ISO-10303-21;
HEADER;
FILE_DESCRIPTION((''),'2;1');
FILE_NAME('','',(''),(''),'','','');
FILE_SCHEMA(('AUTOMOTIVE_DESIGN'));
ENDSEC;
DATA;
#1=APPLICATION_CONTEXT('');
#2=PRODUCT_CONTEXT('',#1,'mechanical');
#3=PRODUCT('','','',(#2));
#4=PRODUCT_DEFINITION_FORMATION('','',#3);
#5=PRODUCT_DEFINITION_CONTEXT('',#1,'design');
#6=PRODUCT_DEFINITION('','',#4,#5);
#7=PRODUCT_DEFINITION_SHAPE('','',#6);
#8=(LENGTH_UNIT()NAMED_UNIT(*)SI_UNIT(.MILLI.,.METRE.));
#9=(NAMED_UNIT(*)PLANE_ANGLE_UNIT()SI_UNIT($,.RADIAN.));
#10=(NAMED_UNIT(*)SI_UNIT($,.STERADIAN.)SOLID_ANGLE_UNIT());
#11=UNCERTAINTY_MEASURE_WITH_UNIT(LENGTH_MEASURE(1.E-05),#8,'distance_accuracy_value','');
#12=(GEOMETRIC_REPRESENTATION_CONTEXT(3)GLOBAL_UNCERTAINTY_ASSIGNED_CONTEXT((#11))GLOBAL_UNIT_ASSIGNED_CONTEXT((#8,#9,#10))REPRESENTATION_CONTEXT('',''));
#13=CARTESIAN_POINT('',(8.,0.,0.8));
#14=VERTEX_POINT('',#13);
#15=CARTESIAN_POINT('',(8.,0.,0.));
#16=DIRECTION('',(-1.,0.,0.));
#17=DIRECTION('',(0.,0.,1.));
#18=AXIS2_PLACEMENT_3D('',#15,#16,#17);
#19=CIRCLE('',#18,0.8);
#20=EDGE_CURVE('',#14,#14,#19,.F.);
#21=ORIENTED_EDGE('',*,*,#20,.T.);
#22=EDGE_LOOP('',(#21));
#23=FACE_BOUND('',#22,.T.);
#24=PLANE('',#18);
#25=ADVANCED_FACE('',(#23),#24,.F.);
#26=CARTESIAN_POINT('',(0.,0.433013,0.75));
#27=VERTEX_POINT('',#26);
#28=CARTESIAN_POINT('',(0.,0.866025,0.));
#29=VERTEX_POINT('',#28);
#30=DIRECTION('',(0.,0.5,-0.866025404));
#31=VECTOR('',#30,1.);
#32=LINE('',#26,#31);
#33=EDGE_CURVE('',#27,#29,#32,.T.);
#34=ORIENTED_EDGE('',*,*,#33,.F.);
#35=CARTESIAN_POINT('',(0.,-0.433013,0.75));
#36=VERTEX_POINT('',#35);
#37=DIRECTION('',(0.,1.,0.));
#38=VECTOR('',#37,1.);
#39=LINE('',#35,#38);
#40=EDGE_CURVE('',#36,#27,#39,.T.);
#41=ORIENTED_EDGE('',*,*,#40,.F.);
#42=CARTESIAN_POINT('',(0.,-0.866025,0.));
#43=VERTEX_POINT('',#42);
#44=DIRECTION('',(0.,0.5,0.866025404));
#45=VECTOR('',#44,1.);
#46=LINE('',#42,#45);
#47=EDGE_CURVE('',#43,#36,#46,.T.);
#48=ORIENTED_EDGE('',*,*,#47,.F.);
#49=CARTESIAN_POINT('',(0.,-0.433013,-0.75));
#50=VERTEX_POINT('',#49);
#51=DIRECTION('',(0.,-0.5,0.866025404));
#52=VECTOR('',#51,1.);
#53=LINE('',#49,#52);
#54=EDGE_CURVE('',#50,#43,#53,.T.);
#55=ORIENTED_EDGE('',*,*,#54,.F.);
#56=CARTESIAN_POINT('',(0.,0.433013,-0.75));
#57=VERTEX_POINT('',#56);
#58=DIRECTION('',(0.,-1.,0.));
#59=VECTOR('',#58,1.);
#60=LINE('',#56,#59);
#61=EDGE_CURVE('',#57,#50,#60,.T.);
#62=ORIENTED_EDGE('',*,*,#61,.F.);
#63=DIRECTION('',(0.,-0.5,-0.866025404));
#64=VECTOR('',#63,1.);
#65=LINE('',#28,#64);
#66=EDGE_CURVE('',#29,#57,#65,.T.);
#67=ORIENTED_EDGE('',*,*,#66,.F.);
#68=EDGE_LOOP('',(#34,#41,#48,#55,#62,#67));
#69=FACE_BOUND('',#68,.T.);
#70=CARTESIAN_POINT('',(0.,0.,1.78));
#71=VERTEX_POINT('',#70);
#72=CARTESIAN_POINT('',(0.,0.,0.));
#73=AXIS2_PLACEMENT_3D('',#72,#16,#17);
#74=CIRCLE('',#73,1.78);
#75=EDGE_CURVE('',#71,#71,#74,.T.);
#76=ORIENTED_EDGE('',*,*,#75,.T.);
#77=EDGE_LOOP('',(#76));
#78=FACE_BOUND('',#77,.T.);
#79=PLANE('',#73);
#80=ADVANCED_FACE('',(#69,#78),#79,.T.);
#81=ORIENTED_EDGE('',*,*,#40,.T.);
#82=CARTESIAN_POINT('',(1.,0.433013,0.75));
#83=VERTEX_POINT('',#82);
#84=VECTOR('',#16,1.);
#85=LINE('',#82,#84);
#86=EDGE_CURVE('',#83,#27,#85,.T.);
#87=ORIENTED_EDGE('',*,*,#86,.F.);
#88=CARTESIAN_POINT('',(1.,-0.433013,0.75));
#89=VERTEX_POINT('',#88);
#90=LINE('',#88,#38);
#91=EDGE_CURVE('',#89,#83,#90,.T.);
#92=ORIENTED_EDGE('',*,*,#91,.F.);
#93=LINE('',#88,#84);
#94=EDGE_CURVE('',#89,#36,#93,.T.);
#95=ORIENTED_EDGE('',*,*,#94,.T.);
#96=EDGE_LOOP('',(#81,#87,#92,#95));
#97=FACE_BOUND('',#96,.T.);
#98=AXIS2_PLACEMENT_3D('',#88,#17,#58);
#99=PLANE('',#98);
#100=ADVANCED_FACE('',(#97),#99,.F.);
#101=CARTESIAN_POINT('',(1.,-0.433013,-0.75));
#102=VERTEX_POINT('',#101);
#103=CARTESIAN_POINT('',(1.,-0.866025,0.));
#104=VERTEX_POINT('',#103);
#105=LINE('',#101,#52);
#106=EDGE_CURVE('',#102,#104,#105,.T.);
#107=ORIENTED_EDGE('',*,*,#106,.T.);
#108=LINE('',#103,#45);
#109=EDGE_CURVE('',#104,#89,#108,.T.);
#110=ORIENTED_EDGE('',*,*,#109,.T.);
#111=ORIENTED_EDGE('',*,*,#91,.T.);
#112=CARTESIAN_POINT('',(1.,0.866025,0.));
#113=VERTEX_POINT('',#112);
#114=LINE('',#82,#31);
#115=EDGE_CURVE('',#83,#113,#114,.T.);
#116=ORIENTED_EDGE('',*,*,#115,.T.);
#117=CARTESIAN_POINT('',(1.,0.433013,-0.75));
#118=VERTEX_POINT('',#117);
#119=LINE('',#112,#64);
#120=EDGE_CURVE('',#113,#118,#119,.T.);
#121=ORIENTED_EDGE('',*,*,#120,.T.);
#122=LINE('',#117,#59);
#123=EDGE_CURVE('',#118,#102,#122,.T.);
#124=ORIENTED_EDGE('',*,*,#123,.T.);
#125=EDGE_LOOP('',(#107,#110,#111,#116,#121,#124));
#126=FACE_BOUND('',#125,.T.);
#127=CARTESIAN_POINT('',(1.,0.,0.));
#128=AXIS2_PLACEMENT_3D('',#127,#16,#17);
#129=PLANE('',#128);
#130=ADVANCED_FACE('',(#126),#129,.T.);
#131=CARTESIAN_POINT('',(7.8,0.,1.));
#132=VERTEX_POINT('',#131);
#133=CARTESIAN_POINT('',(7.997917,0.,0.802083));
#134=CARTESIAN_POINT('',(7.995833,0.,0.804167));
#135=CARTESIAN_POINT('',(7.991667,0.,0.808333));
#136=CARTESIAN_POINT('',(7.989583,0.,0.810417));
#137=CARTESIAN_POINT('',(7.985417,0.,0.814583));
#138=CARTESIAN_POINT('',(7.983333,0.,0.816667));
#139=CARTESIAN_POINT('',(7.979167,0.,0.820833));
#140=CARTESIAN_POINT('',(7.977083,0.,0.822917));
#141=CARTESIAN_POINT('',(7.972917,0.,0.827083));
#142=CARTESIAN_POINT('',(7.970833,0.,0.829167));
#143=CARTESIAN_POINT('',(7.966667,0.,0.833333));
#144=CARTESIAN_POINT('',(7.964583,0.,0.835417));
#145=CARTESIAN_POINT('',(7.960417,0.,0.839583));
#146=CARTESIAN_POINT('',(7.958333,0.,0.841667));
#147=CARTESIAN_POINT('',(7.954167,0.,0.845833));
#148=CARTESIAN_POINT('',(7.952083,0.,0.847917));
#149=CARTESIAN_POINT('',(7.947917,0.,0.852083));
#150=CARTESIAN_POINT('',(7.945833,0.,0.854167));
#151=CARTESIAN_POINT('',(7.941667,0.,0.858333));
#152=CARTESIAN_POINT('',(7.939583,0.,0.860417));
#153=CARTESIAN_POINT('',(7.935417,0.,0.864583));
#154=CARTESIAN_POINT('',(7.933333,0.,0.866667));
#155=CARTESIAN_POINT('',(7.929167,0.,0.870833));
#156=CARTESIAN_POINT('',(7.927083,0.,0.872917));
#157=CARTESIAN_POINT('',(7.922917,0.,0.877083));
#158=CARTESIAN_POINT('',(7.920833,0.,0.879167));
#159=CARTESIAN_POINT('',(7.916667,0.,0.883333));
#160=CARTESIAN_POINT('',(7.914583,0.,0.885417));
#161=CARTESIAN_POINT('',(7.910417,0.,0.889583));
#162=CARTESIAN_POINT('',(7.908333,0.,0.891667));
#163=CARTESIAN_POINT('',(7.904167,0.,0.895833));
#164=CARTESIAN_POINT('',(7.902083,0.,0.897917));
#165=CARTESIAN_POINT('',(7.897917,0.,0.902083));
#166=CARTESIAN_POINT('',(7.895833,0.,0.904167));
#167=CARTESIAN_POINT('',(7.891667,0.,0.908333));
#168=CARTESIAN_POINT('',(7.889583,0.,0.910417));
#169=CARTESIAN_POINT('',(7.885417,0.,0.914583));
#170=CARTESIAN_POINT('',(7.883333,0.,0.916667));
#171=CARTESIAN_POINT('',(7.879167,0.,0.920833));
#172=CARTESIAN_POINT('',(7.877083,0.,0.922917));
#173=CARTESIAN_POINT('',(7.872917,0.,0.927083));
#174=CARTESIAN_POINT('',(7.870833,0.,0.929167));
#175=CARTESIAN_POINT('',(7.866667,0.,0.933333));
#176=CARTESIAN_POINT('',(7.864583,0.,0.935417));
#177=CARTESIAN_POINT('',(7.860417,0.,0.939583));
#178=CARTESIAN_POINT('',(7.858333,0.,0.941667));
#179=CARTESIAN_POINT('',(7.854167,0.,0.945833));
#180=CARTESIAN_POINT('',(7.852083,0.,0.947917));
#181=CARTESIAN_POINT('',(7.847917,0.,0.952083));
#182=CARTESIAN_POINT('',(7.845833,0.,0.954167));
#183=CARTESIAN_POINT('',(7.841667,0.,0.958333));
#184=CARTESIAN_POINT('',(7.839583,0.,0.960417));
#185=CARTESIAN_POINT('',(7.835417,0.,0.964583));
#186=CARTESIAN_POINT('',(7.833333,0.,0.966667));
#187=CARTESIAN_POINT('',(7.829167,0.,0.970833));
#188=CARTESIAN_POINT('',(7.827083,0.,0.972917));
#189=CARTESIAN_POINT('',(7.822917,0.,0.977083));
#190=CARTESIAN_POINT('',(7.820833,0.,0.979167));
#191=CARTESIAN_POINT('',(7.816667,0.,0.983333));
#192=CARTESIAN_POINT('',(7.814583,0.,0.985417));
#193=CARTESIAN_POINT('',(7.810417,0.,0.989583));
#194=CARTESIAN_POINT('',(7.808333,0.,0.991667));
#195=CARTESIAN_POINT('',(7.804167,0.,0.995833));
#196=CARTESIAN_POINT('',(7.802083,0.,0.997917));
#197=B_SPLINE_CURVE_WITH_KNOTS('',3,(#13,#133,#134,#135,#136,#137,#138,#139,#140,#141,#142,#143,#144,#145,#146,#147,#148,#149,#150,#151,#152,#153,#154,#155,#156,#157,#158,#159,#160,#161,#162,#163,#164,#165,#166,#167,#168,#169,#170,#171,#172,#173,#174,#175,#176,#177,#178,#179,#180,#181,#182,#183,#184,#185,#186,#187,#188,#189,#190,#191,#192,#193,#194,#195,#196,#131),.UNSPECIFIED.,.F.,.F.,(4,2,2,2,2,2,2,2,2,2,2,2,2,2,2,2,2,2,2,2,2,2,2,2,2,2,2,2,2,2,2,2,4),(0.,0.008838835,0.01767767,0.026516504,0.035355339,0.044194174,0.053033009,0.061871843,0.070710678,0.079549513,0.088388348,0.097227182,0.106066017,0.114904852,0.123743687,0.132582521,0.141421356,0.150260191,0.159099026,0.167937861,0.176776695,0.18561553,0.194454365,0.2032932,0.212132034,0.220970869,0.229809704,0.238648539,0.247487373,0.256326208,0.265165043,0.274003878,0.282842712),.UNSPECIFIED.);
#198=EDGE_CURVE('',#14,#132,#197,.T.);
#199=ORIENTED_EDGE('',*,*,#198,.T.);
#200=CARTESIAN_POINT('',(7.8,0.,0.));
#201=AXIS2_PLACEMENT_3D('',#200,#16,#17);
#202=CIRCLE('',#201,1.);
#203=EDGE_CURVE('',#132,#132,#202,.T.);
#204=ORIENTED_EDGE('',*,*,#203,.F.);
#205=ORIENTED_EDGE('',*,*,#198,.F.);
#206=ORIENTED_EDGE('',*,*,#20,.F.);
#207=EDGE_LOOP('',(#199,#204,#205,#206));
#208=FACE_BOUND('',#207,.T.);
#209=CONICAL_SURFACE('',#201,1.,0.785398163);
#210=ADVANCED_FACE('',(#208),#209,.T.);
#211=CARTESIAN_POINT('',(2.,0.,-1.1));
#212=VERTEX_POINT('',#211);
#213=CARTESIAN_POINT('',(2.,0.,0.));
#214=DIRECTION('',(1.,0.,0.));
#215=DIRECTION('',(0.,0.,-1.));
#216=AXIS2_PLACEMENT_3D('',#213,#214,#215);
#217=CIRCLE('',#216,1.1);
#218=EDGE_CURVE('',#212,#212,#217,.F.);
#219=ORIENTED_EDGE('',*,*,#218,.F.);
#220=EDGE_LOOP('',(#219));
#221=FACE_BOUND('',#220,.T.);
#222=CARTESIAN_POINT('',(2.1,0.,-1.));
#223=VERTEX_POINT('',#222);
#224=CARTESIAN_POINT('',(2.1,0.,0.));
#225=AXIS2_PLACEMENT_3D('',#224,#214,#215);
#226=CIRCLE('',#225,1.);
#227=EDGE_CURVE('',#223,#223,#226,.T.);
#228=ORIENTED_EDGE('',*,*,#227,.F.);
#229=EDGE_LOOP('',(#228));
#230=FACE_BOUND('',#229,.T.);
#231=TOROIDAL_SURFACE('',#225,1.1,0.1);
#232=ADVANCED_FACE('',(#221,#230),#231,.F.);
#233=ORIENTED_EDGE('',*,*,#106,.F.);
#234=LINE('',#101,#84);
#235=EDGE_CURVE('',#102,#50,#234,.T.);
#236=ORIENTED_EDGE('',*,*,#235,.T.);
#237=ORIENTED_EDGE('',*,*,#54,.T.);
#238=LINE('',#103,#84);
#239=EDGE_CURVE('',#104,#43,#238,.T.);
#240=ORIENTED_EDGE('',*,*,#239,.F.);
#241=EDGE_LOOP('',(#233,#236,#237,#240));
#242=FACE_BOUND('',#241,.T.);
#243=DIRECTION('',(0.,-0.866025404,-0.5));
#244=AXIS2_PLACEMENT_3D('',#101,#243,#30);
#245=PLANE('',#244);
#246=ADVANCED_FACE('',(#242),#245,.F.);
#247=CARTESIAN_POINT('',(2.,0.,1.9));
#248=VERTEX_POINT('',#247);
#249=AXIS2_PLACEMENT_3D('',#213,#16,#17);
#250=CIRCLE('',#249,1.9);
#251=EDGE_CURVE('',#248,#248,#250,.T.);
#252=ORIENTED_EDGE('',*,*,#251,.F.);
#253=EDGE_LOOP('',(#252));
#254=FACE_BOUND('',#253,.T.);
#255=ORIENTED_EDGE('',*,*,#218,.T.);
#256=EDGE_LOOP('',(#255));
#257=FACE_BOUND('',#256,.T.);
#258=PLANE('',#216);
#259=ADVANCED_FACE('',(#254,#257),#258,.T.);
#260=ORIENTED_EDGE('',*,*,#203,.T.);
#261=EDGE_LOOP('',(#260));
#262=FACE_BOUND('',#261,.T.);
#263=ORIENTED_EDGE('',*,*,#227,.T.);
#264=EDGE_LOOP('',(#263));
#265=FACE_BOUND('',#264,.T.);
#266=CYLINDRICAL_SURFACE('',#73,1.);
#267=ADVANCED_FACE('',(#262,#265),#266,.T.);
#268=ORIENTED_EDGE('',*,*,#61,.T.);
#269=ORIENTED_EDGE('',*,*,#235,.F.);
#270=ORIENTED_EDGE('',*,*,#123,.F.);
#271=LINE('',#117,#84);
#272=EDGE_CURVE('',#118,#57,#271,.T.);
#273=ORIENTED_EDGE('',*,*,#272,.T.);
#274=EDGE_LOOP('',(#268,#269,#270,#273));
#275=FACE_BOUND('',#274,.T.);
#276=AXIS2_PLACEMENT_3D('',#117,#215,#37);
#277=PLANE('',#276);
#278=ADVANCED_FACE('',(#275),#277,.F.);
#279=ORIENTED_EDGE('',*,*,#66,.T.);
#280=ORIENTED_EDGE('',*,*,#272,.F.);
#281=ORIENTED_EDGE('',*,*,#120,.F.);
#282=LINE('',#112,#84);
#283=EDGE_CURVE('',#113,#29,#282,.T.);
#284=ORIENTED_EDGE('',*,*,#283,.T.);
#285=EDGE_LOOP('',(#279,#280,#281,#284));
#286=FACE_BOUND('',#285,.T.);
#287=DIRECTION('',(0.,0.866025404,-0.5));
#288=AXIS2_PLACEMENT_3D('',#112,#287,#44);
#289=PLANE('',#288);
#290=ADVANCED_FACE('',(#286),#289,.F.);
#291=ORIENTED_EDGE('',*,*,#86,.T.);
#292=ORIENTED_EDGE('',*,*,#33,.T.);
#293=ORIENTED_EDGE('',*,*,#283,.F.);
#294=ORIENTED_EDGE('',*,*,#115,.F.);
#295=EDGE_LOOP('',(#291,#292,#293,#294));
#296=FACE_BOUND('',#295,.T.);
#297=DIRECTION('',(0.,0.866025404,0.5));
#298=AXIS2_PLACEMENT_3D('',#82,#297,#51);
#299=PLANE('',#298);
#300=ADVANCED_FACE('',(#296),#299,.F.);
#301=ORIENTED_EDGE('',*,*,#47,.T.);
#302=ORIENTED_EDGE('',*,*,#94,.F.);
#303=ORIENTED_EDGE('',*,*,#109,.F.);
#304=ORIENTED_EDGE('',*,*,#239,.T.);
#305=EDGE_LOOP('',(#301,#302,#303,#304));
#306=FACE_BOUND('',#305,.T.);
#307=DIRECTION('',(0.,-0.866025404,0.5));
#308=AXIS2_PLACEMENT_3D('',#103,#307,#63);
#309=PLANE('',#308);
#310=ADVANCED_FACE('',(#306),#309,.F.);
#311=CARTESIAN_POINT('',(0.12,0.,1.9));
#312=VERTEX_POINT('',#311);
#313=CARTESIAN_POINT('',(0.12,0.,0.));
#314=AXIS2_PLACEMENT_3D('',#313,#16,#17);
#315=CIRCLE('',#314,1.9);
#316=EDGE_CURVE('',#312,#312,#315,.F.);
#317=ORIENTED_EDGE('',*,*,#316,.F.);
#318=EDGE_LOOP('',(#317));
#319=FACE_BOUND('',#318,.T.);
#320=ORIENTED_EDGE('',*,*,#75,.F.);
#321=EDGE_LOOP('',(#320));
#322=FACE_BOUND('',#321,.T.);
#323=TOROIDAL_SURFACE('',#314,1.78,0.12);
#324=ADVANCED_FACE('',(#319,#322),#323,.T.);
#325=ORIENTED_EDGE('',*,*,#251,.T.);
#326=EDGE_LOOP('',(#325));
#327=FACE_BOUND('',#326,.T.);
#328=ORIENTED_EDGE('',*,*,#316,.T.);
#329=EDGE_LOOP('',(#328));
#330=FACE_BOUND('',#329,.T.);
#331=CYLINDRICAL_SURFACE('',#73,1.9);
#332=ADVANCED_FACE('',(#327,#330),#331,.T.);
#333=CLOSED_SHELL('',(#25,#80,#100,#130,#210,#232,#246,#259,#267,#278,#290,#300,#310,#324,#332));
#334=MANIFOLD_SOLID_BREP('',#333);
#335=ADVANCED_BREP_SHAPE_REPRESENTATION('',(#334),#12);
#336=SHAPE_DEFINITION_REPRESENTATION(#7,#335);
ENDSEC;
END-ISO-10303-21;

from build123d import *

# Parameters (mm, degrees)
FILLET1_R      = 0.1
FILLET2_R      = 0.12
CHAMFER1_SIZE  = 0.2
EXTRUDE1_DEPTH = 1


with BuildPart() as part:
    # Sketch1 → Revolve1 (revolve)
    with BuildSketch(Plane.XY, mode=Mode.PRIVATE) as revolve1_sk:
        Polygon((2, 1), (2, 0), (4.279914881, 0), (8, 0), (8, 1), align=None)
        Polygon((0, 1.9), (0, 0), (2, 0), (2, 1), (2, 1.9), align=None)
    revolve(revolve1_sk.sketch.rotate(Axis((0, 0, 0), (1, 0, 0)), 90), axis=Axis((0, 0, 0), (1, 0, 0)))

    # Fillet1
    fillet1_edges = [part.edges().sort_by_distance(p)[0] for p in [
        (2, 0, -1),
    ]]
    fillet(fillet1_edges, radius=FILLET1_R)

    # Fillet2
    fillet2_edges = [part.edges().sort_by_distance(p)[0] for p in [
        (0, 0, -1.9),
    ]]
    fillet(fillet2_edges, radius=FILLET2_R)

    # Chamfer1
    chamfer1_edges = [part.edges().sort_by_distance(p)[0] for p in [
        (8, 0, -1),
    ]]
    chamfer(chamfer1_edges, length=CHAMFER1_SIZE)

    # Sketch2 → Extrude1 (cut)
    with BuildSketch(Plane.ZY):
        Polygon((0, 0.866025404), (-0.75, 0.433012702), (-0.75, -0.433012702), (0, -0.866025404), (0.75, -0.433012702), (0.75, 0.433012702), align=None)
    extrude(amount=-EXTRUDE1_DEPTH, mode=Mode.SUBTRACT)


solid = part.part
